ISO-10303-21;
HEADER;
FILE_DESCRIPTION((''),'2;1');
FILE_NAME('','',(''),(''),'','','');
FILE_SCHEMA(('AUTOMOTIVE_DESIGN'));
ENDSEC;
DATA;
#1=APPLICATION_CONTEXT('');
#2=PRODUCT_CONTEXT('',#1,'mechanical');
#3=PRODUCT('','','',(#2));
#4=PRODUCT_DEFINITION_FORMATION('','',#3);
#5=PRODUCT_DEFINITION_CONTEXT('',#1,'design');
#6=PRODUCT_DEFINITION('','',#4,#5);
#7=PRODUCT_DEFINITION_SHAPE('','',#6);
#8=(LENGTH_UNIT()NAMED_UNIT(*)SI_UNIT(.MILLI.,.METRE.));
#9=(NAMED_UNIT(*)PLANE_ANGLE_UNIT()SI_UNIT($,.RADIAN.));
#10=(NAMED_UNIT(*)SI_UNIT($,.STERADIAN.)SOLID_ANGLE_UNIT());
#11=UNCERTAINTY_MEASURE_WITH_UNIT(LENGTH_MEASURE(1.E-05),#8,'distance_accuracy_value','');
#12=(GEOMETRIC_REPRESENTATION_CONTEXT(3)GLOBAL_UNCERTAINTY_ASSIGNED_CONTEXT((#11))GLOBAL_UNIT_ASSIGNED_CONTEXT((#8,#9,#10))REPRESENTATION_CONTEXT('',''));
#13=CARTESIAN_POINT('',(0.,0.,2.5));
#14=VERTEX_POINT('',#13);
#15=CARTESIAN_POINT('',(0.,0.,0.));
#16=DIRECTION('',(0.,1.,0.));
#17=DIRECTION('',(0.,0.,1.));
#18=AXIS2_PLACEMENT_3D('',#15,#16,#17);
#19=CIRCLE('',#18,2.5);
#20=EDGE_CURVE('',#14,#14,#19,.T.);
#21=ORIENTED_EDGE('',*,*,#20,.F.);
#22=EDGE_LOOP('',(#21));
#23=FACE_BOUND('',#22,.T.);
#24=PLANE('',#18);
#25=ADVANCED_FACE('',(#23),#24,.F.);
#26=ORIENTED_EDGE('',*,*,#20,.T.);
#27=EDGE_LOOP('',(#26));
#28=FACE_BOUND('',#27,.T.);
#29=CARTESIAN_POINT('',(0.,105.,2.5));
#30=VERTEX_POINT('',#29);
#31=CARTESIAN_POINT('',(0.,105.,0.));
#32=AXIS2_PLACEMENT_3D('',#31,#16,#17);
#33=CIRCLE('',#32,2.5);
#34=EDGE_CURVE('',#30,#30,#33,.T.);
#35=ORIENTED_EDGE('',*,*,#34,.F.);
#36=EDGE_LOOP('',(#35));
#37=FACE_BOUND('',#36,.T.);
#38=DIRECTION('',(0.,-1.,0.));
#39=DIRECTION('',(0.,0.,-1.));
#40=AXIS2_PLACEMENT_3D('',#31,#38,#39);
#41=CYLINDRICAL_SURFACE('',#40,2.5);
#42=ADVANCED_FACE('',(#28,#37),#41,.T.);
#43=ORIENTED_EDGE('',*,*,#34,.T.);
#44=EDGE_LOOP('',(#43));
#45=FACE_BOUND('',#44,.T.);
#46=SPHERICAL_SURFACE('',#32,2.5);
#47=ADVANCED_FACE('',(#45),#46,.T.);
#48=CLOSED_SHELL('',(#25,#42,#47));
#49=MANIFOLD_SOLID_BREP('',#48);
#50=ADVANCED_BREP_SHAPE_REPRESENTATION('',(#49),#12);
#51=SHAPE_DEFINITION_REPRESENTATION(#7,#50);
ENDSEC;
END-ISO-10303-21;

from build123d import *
from build123d.topology import SkipClean

# Parameters (mm, degrees)
SKETCH2_R           = 2.5
BOSS_EXTRUDE1_DEPTH = 105


with BuildPart() as part:
    # Sketch2 → Boss-Extrude1 (new body)
    with BuildSketch(Plane(origin=(0, 0, 0), x_dir=(1, 0, 0), z_dir=(0, 1, 0))):
        with Locations(Location((0, 0, 0), (0, 0, 270))):
            Circle(SKETCH2_R)
    extrude(amount=BOSS_EXTRUDE1_DEPTH)

    # Sketch3 → Revolve1 (revolve)
    with SkipClean():  # the faces are left unmerged after this step: merging them gives an invalid solid
        with BuildSketch(Plane(origin=(0, 0, 0), x_dir=(0, 0, -1), z_dir=(1, 0, 0))):
            with BuildLine():
                Line((-2.5, 105), (2.5, 105))
                ThreePointArc((2.5, 105), (0, 107.5), (-2.5, 105))
            make_face()
        revolve(axis=Axis((0, 105, 2.5), (0, 0, -1)))


solid = part.part
